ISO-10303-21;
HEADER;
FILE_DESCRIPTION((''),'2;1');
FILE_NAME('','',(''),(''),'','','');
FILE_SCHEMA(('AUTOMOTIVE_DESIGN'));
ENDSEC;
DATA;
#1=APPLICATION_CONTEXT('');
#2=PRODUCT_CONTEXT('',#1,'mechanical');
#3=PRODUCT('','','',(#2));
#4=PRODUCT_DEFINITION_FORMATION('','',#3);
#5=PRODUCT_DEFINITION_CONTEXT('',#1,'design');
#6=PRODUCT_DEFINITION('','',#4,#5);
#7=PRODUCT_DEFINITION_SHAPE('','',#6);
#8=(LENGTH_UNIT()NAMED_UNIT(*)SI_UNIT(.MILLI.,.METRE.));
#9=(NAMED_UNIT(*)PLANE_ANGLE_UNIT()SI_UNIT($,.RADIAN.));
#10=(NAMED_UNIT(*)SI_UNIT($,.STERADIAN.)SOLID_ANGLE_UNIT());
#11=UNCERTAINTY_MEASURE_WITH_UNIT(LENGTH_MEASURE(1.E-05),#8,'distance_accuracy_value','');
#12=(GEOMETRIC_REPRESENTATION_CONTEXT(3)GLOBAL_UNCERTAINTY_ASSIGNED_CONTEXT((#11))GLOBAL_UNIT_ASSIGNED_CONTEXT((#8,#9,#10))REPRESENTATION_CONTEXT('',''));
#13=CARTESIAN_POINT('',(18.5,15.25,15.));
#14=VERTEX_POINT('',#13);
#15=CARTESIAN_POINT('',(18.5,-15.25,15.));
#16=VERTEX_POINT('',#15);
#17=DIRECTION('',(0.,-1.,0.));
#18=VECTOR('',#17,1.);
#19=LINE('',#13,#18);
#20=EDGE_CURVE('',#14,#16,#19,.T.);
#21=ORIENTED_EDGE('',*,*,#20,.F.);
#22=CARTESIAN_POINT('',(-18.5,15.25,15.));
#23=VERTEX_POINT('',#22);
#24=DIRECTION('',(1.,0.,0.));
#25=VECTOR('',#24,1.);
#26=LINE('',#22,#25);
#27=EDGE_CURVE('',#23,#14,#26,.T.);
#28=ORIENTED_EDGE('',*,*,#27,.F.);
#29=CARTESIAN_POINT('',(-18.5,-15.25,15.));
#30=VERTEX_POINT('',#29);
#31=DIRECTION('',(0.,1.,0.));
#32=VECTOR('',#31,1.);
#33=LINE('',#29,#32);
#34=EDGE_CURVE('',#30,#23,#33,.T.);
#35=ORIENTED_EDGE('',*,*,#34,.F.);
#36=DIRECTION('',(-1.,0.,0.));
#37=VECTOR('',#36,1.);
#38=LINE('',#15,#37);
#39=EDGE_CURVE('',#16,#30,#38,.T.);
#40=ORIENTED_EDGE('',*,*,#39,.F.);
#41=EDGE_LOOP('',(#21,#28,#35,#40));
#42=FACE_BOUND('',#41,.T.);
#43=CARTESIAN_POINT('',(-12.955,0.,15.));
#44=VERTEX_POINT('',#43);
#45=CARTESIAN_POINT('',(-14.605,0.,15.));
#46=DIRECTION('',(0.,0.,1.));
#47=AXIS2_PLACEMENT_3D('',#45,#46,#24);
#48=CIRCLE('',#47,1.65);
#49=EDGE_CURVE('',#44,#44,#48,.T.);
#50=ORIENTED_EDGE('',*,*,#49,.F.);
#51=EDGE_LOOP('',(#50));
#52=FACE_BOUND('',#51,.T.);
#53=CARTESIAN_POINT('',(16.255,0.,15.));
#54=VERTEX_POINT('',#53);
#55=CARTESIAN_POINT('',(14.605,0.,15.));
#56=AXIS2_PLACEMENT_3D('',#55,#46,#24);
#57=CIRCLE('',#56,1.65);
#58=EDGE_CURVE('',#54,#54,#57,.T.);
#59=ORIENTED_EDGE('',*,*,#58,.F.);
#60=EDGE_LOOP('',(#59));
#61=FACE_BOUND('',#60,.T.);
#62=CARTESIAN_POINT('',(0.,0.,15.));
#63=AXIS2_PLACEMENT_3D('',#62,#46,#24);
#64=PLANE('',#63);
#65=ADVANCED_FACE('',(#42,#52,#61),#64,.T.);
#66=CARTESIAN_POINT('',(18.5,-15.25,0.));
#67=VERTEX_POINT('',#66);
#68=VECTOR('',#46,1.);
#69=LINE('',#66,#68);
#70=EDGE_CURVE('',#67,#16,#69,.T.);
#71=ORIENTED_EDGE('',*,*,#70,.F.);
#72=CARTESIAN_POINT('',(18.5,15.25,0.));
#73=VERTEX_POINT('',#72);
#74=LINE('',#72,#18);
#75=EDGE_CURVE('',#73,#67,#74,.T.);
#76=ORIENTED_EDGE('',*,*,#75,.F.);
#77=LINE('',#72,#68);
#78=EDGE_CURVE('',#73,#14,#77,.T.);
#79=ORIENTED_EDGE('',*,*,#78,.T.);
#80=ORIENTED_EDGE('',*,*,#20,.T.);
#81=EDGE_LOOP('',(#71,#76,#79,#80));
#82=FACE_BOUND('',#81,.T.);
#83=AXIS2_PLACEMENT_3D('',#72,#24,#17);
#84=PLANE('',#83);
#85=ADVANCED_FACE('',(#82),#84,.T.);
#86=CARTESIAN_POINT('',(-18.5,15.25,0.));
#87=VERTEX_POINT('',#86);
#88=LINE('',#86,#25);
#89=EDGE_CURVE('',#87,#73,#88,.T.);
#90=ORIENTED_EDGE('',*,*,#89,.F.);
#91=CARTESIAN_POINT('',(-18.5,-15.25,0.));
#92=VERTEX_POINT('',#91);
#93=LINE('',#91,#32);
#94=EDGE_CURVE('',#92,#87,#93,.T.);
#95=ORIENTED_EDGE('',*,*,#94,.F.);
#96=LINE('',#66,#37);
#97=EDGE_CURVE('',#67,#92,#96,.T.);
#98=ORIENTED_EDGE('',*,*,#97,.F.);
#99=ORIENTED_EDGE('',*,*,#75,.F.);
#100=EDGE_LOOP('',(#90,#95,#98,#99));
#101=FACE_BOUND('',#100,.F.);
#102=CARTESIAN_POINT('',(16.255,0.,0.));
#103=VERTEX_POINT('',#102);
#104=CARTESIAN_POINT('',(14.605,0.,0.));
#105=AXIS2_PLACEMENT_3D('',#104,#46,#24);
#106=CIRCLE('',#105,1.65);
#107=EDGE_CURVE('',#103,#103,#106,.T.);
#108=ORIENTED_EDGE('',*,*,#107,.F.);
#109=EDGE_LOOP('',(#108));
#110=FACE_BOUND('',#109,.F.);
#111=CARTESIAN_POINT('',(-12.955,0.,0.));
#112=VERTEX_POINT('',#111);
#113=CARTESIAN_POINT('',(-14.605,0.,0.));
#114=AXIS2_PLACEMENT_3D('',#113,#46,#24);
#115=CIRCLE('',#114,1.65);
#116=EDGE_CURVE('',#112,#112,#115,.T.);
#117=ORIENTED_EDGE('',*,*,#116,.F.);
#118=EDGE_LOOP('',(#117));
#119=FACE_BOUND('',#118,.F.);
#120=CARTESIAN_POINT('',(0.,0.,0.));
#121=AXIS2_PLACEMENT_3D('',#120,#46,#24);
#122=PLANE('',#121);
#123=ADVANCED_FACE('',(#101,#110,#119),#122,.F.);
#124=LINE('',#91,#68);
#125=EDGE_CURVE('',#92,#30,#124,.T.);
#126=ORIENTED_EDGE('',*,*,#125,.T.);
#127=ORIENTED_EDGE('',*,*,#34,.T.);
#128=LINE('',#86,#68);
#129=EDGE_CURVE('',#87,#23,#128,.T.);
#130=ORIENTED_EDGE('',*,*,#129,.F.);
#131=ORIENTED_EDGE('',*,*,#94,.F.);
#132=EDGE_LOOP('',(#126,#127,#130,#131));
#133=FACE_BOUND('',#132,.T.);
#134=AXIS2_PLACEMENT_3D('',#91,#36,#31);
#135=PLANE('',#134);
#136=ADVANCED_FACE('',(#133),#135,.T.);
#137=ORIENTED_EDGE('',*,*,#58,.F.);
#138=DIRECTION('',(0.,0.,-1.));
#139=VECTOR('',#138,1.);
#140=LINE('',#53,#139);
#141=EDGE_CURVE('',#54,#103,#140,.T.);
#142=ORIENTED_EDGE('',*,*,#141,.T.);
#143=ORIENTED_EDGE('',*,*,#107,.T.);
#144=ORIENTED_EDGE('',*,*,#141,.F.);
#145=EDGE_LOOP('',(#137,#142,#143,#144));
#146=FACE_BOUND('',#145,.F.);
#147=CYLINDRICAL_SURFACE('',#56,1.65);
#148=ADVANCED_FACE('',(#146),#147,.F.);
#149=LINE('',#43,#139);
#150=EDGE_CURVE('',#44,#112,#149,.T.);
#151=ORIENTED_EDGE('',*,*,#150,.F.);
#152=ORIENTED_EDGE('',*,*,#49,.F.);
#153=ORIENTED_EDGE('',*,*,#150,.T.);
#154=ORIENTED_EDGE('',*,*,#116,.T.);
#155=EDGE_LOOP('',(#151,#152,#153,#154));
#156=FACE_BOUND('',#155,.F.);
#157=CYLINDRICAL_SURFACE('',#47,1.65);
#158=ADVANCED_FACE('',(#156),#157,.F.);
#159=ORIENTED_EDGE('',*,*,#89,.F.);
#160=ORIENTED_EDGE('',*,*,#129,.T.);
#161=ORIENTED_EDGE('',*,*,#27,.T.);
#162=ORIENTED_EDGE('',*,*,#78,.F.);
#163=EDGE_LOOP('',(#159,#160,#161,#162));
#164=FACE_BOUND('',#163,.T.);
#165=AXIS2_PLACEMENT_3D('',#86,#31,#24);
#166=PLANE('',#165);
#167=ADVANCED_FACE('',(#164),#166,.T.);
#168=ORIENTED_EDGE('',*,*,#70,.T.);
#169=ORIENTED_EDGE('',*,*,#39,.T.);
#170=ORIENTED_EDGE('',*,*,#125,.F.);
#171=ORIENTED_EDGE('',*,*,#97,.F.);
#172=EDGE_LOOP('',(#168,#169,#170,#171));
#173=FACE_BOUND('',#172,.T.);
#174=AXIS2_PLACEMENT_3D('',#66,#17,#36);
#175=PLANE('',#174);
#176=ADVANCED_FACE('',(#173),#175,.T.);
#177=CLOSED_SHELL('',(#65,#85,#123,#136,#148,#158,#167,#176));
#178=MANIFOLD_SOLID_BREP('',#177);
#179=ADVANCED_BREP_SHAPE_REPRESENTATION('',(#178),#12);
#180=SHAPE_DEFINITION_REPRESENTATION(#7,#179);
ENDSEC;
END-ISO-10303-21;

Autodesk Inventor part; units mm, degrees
ref_plane "YZ Plane" through (0, 0, 0) normal (1, 0, 0) x (0, 1, 0)
ref_plane "XZ Plane" through (0, 0, 0) normal (0, 1, 0) x (-1, 0, 0)
ref_plane "XY Plane" through (0, 0, 0) normal (0, 0, 1) x (1, 0, 0)
sketch "Sketch1" plane through (0, 0, 0) normal (0, 0, 1) x (1, 0, 0)
  line L0 (-18.5, 15.25) -> (18.5, 15.25)
  line L1 (18.5, 15.25) -> (18.5, -15.25)
  line L2 (18.5, -15.25) -> (-18.5, -15.25)
  line L3 (-18.5, -15.25) -> (-18.5, 15.25)
  point P0 (0, 0)
  point P1 (0, 15.25)
  point P2 (18.5, 0)
  dimension "d0" = 37
  dimension "d1" = 30.5
extrude "Extrusion1" add sketch "Sketch1" along normal blind 15
sketch "Sketch2" plane through (0, 0, 15) normal (0, 0, 1) x (1, 0, 0)
  circle A0 centre (14.605, 0) radius 1.65
  circle A1 centre (-14.605, 0) radius 1.65
  line L0 (14.605, 0) -> (-14.605, 0) construction
  point P0 (0, 0)
  point P1 (0, 0)
  dimension "d4" = 3.3
  dimension "d5" = 3.3
  dimension "d6" = 29.21
extrude "Extrusion2" cut sketch "Sketch2" against normal up to next
properties part number "bigeasydriver"
